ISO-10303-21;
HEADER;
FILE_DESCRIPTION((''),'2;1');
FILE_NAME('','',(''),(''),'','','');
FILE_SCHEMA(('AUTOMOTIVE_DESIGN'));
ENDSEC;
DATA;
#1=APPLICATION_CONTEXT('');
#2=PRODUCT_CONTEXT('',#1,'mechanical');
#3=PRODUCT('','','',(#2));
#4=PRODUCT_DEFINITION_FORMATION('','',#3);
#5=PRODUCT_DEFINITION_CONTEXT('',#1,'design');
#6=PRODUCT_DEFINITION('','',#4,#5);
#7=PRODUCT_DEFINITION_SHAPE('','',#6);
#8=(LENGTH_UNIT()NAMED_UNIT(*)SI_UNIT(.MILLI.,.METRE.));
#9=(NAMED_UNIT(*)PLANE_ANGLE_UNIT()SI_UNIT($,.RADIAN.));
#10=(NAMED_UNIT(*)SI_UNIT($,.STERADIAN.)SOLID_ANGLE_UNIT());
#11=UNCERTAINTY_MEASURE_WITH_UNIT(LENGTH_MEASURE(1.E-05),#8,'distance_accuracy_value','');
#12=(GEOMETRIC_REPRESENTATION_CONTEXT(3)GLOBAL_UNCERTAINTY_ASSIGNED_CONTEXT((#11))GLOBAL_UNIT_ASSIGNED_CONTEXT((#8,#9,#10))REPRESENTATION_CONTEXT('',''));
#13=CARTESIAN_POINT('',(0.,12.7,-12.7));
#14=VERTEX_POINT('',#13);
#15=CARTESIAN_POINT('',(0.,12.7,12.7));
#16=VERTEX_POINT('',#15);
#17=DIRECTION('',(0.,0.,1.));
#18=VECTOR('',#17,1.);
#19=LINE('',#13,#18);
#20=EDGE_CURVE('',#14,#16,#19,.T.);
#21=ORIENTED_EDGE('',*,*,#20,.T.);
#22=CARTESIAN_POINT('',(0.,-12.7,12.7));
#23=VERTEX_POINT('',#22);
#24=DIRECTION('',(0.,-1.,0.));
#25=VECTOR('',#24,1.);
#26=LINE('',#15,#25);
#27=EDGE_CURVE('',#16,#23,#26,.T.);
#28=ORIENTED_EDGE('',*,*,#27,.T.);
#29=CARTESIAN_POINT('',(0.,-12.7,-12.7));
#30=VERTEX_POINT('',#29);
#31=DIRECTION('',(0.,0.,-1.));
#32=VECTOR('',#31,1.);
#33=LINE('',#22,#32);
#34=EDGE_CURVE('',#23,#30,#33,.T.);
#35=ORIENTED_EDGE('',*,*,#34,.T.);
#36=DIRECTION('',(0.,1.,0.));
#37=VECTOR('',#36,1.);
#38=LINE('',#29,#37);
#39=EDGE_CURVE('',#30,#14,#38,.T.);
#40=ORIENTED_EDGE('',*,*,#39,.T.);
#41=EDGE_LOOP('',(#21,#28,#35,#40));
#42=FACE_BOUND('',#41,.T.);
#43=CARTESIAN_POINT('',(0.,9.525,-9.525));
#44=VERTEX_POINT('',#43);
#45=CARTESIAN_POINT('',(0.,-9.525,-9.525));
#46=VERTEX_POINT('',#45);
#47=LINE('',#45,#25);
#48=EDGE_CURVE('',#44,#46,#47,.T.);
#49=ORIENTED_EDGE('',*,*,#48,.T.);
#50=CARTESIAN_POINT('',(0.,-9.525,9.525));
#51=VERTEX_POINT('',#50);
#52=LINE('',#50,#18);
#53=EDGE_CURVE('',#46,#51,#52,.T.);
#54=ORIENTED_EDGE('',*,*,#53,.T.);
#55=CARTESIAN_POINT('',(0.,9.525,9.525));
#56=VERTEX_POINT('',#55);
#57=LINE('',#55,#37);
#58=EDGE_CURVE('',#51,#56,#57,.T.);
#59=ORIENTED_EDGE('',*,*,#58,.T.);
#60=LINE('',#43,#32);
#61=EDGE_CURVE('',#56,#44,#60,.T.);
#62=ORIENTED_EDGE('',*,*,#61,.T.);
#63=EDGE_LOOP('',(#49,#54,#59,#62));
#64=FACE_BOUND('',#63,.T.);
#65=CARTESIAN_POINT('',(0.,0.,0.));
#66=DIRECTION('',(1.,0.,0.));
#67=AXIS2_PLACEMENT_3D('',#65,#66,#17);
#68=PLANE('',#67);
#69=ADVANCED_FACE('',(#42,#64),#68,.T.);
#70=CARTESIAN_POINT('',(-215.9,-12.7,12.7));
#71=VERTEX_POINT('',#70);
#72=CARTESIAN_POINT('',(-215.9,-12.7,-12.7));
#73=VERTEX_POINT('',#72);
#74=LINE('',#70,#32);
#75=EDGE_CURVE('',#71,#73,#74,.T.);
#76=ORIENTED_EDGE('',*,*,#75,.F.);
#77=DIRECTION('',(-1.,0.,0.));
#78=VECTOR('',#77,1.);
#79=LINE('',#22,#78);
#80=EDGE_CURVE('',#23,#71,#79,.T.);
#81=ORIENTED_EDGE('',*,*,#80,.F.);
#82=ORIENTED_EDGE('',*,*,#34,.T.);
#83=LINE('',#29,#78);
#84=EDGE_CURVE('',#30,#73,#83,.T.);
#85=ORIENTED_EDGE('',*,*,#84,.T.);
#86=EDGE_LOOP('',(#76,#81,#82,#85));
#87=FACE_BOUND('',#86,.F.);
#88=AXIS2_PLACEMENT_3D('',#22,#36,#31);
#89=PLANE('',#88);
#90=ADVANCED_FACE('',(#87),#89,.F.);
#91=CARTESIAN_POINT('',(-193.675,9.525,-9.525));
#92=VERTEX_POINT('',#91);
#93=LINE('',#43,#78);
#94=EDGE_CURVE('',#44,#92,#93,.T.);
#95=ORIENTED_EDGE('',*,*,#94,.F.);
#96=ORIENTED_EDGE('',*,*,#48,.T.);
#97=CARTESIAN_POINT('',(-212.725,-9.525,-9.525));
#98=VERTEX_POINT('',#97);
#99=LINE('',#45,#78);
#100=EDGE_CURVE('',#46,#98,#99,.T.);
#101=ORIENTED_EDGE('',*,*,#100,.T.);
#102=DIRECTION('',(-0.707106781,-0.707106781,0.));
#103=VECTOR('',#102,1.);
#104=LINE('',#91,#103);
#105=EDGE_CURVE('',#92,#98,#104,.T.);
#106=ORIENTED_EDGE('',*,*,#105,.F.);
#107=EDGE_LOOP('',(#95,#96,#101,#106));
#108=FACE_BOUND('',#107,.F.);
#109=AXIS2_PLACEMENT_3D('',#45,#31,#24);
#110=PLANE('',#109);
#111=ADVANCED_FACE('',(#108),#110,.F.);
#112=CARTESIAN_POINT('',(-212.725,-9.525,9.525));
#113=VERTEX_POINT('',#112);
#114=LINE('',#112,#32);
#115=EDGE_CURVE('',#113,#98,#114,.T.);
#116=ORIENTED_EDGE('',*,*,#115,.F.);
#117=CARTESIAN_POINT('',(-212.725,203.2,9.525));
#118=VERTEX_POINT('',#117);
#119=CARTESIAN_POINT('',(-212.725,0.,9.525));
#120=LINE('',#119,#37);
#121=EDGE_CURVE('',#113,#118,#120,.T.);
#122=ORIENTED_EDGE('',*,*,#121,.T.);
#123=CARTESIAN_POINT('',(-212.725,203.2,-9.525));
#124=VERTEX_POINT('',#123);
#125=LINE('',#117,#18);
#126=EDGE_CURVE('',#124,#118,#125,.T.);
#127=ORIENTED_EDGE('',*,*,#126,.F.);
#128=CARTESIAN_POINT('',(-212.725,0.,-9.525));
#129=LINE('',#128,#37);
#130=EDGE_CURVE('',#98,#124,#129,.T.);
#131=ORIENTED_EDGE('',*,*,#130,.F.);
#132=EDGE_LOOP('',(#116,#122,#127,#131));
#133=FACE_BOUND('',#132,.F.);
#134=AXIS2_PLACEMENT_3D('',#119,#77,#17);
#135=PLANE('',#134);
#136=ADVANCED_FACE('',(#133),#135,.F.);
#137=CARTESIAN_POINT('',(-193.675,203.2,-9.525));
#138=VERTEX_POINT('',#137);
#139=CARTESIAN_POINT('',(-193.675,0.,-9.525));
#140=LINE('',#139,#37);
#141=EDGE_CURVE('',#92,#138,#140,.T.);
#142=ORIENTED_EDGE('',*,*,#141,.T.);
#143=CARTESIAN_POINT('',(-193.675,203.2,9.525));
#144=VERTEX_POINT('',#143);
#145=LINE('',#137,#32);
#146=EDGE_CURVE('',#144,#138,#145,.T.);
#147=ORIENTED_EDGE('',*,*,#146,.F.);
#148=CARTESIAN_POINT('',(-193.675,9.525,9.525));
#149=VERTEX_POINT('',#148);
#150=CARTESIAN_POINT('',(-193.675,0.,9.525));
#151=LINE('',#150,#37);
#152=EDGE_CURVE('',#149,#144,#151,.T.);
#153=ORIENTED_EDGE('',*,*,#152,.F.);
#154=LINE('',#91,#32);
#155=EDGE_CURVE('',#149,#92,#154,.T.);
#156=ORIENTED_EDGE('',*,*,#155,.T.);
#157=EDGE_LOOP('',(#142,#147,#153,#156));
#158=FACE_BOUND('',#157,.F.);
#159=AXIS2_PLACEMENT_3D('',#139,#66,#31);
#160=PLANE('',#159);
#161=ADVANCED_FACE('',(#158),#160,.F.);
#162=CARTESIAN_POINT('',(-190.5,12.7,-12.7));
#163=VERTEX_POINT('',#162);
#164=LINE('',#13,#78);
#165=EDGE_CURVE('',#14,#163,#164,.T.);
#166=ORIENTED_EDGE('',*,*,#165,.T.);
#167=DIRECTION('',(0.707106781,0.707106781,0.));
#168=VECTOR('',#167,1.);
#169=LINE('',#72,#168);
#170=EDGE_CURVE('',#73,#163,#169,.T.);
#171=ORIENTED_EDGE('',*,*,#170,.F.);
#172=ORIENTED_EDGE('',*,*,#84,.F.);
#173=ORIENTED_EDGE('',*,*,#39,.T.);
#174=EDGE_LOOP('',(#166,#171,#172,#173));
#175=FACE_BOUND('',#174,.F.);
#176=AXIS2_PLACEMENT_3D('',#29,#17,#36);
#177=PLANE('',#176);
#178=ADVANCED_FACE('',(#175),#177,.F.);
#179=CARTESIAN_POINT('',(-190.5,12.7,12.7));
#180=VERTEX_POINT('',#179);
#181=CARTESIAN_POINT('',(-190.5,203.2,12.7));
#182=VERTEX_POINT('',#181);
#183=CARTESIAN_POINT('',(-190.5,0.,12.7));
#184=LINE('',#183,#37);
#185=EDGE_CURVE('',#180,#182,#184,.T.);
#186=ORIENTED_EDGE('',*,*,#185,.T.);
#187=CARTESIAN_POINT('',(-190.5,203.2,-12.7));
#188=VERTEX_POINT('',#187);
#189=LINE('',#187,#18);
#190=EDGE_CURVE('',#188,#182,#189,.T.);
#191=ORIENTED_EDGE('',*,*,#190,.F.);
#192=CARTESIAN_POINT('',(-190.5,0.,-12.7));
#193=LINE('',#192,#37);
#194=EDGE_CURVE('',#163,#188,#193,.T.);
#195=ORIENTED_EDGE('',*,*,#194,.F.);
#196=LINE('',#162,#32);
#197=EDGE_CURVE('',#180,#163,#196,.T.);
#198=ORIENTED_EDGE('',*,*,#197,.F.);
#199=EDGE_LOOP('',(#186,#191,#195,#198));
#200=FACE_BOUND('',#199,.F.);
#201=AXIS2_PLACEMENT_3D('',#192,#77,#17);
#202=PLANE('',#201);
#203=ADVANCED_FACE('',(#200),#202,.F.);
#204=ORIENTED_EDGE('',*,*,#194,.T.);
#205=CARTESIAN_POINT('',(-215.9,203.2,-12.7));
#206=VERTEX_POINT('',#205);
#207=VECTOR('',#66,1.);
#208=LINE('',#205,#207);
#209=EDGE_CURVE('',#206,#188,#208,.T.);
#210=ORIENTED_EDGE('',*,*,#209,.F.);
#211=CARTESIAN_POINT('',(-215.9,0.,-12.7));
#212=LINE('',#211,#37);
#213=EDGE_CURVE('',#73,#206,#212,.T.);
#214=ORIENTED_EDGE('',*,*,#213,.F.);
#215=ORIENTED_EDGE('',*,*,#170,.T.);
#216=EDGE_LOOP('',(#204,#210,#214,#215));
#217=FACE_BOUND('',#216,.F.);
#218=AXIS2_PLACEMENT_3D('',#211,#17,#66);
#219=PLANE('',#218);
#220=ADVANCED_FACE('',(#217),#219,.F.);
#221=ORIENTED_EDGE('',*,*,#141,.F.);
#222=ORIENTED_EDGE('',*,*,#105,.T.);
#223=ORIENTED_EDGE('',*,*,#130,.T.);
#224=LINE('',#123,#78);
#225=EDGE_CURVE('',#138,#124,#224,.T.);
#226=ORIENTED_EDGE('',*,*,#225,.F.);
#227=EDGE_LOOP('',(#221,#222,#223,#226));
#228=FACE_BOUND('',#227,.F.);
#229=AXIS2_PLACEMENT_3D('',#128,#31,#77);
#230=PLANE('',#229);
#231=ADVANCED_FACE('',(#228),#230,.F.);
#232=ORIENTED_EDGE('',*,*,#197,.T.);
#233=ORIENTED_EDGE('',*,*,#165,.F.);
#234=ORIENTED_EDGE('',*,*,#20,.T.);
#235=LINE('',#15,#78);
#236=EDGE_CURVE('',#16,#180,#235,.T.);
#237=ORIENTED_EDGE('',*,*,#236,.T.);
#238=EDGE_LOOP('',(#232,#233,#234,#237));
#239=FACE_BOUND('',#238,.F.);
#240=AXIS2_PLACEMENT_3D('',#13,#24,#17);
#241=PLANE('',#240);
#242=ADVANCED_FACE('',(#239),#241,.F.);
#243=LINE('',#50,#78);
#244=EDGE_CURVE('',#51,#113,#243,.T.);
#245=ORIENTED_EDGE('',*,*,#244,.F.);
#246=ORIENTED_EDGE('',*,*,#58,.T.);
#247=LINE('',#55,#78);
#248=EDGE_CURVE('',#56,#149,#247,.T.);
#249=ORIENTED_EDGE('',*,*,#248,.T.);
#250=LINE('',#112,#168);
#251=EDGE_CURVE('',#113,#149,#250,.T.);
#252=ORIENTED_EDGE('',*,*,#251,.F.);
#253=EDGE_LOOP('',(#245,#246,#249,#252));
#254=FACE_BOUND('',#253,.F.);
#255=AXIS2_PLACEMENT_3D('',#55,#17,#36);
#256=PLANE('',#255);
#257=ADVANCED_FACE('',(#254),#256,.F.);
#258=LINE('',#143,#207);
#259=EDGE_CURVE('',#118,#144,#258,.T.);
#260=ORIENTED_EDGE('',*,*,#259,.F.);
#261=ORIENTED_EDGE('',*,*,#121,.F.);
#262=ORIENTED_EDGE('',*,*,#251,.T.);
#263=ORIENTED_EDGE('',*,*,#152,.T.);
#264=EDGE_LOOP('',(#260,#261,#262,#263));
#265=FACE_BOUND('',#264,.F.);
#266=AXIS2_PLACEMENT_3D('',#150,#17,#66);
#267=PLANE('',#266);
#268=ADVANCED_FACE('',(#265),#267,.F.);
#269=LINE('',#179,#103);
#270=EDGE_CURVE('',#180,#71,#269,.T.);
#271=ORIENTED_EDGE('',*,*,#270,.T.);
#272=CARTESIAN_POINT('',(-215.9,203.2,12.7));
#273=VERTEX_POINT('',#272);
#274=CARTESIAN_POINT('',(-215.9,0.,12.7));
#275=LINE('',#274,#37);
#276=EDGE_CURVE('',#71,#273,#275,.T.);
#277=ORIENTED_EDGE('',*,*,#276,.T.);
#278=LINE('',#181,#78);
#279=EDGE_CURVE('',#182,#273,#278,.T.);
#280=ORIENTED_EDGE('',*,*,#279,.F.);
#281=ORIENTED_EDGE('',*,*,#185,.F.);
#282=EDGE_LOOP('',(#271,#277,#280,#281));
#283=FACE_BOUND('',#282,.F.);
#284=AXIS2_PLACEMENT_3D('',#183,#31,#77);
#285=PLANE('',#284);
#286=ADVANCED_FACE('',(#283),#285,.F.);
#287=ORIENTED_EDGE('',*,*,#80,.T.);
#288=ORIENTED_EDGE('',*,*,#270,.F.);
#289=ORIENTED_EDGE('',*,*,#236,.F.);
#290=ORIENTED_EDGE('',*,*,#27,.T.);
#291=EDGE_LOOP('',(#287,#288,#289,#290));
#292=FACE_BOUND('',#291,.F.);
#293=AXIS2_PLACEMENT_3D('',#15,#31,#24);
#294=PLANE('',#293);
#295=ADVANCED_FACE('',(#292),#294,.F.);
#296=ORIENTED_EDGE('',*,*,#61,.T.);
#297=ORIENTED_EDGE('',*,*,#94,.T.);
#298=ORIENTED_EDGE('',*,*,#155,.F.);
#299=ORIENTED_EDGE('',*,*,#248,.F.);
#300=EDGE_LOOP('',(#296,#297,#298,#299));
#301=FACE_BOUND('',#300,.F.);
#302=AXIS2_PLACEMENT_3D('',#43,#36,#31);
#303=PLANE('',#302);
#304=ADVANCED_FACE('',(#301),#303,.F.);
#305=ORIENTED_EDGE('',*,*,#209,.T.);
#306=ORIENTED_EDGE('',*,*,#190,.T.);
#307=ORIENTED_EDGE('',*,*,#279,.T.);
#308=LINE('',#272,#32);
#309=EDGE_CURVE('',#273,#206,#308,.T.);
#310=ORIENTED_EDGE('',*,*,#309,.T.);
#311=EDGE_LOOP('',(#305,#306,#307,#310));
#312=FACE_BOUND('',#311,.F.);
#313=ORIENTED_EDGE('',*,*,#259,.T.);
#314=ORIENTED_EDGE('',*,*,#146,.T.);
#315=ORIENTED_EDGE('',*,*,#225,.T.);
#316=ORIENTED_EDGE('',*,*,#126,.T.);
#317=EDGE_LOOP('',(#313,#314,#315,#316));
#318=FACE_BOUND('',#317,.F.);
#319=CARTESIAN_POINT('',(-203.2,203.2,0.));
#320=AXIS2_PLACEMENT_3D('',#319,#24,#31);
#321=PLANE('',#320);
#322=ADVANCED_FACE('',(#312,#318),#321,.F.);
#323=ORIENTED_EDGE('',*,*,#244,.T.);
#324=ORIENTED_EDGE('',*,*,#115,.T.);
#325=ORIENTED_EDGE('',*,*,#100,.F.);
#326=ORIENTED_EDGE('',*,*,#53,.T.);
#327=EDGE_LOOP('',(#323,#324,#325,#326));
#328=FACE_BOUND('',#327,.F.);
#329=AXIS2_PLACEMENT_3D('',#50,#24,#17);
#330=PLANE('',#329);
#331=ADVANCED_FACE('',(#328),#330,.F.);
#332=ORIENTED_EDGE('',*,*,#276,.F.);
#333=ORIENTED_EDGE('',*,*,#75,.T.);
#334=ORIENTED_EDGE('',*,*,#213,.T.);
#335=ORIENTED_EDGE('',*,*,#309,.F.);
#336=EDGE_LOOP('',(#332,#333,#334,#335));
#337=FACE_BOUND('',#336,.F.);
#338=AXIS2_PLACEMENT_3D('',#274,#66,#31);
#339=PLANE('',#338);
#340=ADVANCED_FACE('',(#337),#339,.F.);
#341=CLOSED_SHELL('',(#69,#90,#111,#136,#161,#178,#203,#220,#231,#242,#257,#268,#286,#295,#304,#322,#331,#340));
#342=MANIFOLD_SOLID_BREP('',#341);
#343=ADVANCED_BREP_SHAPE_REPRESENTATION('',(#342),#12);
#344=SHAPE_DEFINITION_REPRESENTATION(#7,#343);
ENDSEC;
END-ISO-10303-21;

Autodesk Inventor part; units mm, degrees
ref_plane "YZ Plane" through (0, 0, 0) normal (1, 0, 0) x (0, 1, 0)
ref_plane "XZ Plane" through (0, 0, 0) normal (0, 1, 0) x (-1, 0, 0)
ref_plane "XY Plane" through (0, 0, 0) normal (0, 0, 1) x (1, 0, 0)
sketch "Sketch1" plane through (0, 0, 0) normal (0, 0, 1) x (1, 0, 0)
  line L0 (0, 0) -> (-203.2, 0)
  line L1 (-203.2, 0) -> (-203.2, 203.2)
  dimension "d0" = 90
  dimension "d1" = 203.2
sketch "Sketch2" plane through (0, 0, 0) normal (1, 0, 0) x (0, 1, 0)
  line L0 (-12.7, 12.7) -> (-12.7, -12.7)
  line L1 (-12.7, -12.7) -> (12.7, -12.7)
  line L2 (12.7, -12.7) -> (12.7, 12.7)
  line L3 (12.7, 12.7) -> (-12.7, 12.7)
  line L4 (-12.7, 12.7) -> (12.7, -12.7) construction
  line L5 (-12.7, -12.7) -> (12.7, 12.7) construction
  line L6 (-9.525, 9.525) -> (-9.525, -9.525)
  line L7 (-9.525, -9.525) -> (9.525, -9.525)
  line L8 (9.525, -9.525) -> (9.525, 9.525)
  line L9 (9.525, 9.525) -> (-9.525, 9.525)
  line L10 (-9.525, 9.525) -> (9.525, -9.525) construction
  line L11 (-9.525, -9.525) -> (9.525, 9.525) construction
  point P0 (0, 0)
  dimension "d2" = 25.4
  dimension "d3" = 3.175
sweep "Sweep1" add profiles "Sketch2" path "Sketch1"
properties part number "RightAngleAlumTubing"
